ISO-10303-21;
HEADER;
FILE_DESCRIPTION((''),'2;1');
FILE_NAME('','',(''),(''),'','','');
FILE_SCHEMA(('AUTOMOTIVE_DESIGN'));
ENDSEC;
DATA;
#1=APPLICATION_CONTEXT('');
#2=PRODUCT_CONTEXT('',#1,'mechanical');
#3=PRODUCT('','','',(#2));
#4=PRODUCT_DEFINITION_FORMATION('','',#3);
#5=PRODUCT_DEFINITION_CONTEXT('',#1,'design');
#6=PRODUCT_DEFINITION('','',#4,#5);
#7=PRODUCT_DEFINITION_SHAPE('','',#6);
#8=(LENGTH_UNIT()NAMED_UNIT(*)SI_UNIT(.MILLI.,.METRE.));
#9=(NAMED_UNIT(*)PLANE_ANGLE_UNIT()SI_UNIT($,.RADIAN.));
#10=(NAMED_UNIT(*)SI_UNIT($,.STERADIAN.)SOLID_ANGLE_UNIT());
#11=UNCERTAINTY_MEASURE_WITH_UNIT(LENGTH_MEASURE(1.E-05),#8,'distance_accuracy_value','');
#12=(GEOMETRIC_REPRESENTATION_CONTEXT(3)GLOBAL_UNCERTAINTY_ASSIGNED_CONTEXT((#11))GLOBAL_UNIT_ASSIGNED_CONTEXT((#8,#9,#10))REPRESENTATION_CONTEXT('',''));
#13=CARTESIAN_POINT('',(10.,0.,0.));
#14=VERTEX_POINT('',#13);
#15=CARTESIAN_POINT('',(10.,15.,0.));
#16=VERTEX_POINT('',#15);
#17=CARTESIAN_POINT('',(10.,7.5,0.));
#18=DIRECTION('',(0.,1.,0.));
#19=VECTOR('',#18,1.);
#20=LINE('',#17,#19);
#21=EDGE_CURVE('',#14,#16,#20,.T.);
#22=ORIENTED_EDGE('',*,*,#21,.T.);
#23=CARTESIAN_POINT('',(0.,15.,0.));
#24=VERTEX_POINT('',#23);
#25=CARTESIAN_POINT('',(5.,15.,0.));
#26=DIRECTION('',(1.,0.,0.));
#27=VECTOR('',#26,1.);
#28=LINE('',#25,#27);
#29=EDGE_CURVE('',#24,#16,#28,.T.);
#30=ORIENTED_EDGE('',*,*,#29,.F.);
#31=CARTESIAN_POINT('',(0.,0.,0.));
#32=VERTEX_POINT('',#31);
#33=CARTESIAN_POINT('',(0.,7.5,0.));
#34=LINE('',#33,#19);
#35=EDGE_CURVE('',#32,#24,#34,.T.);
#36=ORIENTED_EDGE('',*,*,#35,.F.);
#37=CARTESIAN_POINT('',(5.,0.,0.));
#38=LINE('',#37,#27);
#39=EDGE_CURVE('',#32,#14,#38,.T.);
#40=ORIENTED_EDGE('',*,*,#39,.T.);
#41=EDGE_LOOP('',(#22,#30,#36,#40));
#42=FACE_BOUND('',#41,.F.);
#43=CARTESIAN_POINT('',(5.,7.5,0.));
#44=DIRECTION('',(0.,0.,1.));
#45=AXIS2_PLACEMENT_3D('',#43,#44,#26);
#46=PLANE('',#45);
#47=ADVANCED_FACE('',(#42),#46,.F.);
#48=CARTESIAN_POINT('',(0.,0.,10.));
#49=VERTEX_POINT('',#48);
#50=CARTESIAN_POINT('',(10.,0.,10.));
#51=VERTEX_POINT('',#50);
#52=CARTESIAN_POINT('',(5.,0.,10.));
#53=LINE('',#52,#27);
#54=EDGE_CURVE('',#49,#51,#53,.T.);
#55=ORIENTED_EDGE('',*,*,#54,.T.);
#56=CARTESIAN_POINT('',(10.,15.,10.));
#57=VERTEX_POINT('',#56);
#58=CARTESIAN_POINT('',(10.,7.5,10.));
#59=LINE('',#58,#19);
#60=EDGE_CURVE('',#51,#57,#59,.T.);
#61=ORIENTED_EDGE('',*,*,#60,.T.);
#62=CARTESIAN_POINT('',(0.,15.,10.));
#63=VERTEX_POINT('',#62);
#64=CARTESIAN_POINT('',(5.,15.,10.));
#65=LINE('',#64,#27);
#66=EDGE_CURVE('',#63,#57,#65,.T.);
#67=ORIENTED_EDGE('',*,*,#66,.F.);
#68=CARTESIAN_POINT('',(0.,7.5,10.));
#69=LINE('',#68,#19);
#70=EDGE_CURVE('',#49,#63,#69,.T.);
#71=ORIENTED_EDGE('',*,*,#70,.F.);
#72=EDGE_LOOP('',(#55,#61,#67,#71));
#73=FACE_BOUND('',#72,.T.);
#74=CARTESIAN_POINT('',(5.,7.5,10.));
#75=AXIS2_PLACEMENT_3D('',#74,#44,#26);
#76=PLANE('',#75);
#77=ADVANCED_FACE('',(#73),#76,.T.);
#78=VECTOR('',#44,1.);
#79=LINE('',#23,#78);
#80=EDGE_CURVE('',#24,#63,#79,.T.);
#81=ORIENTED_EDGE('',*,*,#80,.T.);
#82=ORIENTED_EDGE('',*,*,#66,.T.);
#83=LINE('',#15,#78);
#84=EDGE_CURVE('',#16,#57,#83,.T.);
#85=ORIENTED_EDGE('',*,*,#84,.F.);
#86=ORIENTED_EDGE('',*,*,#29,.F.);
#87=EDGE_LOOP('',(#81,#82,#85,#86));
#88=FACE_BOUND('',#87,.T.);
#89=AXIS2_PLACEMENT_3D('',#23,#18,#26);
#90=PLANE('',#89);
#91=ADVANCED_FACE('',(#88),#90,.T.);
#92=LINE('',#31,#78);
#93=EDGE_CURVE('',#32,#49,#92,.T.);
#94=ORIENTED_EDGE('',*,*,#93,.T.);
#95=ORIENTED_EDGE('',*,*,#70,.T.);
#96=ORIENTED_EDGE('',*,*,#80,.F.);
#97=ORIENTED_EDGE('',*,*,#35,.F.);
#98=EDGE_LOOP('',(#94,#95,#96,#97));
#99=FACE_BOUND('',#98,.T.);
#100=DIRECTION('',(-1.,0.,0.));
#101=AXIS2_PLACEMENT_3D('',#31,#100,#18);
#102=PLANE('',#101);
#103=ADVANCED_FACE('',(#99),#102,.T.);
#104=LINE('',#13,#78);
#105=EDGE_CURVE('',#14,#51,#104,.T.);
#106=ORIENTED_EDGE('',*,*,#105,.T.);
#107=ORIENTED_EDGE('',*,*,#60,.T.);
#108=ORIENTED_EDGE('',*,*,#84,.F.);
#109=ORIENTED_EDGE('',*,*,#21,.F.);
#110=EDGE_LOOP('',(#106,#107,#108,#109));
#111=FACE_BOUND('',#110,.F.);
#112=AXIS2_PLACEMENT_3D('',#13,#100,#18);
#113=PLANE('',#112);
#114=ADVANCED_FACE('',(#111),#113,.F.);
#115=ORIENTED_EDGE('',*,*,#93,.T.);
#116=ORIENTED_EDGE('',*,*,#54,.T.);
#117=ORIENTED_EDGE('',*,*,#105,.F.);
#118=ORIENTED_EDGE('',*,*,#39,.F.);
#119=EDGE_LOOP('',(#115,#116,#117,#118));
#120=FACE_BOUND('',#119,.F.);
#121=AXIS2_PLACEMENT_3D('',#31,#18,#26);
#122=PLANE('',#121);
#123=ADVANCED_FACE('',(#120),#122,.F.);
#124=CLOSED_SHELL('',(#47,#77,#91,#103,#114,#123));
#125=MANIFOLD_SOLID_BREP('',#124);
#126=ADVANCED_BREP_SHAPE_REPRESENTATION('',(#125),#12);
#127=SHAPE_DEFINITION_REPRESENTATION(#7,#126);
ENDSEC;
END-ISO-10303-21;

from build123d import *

# Parameters (mm, degrees)
BOX_W     = 10
BOX_H     = 15
BOX_DEPTH = 10


with BuildPart() as part:
    # Box → Box (new body)
    with BuildSketch(Plane.XY):
        with Locations((5, 7.5)):
            Rectangle(BOX_W, BOX_H)
    extrude(amount=BOX_DEPTH)


solid = part.part
